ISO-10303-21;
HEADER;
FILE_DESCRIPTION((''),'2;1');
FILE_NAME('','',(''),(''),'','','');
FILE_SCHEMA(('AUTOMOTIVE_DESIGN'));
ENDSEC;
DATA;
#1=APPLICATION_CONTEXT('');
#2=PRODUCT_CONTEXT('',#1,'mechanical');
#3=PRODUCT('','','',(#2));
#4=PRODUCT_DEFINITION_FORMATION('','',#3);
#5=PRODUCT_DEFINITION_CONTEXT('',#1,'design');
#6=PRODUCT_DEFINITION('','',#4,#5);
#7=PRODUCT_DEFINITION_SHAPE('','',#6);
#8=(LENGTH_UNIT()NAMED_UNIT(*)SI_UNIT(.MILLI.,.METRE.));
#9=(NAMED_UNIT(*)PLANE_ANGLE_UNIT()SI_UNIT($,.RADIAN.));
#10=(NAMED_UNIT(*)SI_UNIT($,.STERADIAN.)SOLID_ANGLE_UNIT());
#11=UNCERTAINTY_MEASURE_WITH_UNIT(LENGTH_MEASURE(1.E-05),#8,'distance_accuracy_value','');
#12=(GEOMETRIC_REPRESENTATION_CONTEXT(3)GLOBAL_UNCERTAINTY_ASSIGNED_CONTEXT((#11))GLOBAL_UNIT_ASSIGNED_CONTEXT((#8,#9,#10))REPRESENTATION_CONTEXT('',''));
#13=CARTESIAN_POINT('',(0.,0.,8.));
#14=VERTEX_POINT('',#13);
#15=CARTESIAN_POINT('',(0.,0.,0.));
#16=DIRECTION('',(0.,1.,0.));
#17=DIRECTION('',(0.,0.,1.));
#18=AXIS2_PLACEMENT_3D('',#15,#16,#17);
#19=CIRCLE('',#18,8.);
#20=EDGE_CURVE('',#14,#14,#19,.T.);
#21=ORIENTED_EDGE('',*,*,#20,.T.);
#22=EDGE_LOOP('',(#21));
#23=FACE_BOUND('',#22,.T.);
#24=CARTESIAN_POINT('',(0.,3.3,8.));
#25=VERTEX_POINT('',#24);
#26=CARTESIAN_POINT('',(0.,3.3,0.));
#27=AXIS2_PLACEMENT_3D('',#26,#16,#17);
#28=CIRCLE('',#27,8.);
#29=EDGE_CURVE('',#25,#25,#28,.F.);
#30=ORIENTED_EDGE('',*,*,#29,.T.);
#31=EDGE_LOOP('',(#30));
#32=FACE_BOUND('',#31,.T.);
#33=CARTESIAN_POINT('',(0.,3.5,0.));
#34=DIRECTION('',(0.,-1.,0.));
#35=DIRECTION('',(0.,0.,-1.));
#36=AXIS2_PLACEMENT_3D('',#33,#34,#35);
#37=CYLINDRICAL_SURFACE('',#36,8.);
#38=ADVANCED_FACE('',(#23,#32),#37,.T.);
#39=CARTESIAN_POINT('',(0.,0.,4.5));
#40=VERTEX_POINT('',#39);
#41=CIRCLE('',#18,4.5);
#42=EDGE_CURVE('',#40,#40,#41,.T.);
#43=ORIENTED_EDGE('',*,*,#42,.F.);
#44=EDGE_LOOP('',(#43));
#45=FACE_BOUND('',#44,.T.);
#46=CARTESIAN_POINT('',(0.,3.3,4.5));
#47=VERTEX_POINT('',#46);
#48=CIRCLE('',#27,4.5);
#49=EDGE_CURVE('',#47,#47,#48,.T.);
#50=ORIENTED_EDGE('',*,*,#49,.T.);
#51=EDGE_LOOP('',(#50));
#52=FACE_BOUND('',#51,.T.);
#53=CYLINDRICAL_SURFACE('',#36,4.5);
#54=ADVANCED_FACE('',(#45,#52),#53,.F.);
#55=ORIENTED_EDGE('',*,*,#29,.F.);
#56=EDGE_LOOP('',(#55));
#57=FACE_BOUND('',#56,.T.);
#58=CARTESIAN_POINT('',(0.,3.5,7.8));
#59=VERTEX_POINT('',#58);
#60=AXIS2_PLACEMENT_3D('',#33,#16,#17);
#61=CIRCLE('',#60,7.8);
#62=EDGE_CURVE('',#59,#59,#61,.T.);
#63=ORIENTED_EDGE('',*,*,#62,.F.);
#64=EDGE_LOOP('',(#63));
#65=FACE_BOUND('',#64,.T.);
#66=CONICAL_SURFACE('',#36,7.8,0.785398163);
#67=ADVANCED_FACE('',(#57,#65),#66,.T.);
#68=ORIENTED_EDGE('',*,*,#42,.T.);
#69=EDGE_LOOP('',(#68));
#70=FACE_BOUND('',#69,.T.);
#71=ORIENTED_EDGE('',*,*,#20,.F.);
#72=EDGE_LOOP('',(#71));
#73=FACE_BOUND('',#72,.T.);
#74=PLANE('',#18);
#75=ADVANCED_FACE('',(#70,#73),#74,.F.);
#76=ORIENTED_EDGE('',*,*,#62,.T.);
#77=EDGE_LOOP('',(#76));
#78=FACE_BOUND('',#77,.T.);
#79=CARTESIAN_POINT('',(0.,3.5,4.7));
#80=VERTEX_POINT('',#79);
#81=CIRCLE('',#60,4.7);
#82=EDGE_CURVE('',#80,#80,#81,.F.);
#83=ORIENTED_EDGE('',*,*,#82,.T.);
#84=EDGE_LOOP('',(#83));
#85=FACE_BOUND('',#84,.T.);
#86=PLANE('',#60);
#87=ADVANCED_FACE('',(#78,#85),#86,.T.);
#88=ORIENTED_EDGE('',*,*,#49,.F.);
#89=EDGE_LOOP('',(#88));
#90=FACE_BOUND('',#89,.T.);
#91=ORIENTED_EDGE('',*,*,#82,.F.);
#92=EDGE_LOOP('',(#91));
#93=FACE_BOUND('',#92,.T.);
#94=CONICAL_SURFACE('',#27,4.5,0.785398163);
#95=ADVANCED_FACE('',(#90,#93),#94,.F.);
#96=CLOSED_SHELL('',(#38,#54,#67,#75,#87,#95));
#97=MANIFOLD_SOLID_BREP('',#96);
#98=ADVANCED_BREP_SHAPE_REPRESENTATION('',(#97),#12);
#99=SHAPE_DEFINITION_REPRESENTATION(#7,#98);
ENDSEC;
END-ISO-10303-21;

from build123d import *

# Parameters (mm, degrees)
SKETCH_1_R      = 8
SKETCH_1_R_2    = 4.5
EXTRUDE_1_DEPTH = 3.5
CHAMFER_1_SIZE  = 0.2


with BuildPart() as part:
    # 스케치1 → 보스-돌출1 (new body)
    with BuildSketch(Plane(origin=(0, 0, 0), x_dir=(1, 0, 0), z_dir=(0, 1, 0))):
        Circle(SKETCH_1_R)
        Circle(SKETCH_1_R_2, mode=Mode.SUBTRACT)
    extrude(amount=EXTRUDE_1_DEPTH)

    # 모따기1
    chamfer_1_edges = [part.edges().sort_by_distance(p)[0] for p in [
        (-8, 3.5, 0),
        (-4.5, 3.5, 0),
    ]]
    chamfer(chamfer_1_edges, length=CHAMFER_1_SIZE)


solid = part.part
